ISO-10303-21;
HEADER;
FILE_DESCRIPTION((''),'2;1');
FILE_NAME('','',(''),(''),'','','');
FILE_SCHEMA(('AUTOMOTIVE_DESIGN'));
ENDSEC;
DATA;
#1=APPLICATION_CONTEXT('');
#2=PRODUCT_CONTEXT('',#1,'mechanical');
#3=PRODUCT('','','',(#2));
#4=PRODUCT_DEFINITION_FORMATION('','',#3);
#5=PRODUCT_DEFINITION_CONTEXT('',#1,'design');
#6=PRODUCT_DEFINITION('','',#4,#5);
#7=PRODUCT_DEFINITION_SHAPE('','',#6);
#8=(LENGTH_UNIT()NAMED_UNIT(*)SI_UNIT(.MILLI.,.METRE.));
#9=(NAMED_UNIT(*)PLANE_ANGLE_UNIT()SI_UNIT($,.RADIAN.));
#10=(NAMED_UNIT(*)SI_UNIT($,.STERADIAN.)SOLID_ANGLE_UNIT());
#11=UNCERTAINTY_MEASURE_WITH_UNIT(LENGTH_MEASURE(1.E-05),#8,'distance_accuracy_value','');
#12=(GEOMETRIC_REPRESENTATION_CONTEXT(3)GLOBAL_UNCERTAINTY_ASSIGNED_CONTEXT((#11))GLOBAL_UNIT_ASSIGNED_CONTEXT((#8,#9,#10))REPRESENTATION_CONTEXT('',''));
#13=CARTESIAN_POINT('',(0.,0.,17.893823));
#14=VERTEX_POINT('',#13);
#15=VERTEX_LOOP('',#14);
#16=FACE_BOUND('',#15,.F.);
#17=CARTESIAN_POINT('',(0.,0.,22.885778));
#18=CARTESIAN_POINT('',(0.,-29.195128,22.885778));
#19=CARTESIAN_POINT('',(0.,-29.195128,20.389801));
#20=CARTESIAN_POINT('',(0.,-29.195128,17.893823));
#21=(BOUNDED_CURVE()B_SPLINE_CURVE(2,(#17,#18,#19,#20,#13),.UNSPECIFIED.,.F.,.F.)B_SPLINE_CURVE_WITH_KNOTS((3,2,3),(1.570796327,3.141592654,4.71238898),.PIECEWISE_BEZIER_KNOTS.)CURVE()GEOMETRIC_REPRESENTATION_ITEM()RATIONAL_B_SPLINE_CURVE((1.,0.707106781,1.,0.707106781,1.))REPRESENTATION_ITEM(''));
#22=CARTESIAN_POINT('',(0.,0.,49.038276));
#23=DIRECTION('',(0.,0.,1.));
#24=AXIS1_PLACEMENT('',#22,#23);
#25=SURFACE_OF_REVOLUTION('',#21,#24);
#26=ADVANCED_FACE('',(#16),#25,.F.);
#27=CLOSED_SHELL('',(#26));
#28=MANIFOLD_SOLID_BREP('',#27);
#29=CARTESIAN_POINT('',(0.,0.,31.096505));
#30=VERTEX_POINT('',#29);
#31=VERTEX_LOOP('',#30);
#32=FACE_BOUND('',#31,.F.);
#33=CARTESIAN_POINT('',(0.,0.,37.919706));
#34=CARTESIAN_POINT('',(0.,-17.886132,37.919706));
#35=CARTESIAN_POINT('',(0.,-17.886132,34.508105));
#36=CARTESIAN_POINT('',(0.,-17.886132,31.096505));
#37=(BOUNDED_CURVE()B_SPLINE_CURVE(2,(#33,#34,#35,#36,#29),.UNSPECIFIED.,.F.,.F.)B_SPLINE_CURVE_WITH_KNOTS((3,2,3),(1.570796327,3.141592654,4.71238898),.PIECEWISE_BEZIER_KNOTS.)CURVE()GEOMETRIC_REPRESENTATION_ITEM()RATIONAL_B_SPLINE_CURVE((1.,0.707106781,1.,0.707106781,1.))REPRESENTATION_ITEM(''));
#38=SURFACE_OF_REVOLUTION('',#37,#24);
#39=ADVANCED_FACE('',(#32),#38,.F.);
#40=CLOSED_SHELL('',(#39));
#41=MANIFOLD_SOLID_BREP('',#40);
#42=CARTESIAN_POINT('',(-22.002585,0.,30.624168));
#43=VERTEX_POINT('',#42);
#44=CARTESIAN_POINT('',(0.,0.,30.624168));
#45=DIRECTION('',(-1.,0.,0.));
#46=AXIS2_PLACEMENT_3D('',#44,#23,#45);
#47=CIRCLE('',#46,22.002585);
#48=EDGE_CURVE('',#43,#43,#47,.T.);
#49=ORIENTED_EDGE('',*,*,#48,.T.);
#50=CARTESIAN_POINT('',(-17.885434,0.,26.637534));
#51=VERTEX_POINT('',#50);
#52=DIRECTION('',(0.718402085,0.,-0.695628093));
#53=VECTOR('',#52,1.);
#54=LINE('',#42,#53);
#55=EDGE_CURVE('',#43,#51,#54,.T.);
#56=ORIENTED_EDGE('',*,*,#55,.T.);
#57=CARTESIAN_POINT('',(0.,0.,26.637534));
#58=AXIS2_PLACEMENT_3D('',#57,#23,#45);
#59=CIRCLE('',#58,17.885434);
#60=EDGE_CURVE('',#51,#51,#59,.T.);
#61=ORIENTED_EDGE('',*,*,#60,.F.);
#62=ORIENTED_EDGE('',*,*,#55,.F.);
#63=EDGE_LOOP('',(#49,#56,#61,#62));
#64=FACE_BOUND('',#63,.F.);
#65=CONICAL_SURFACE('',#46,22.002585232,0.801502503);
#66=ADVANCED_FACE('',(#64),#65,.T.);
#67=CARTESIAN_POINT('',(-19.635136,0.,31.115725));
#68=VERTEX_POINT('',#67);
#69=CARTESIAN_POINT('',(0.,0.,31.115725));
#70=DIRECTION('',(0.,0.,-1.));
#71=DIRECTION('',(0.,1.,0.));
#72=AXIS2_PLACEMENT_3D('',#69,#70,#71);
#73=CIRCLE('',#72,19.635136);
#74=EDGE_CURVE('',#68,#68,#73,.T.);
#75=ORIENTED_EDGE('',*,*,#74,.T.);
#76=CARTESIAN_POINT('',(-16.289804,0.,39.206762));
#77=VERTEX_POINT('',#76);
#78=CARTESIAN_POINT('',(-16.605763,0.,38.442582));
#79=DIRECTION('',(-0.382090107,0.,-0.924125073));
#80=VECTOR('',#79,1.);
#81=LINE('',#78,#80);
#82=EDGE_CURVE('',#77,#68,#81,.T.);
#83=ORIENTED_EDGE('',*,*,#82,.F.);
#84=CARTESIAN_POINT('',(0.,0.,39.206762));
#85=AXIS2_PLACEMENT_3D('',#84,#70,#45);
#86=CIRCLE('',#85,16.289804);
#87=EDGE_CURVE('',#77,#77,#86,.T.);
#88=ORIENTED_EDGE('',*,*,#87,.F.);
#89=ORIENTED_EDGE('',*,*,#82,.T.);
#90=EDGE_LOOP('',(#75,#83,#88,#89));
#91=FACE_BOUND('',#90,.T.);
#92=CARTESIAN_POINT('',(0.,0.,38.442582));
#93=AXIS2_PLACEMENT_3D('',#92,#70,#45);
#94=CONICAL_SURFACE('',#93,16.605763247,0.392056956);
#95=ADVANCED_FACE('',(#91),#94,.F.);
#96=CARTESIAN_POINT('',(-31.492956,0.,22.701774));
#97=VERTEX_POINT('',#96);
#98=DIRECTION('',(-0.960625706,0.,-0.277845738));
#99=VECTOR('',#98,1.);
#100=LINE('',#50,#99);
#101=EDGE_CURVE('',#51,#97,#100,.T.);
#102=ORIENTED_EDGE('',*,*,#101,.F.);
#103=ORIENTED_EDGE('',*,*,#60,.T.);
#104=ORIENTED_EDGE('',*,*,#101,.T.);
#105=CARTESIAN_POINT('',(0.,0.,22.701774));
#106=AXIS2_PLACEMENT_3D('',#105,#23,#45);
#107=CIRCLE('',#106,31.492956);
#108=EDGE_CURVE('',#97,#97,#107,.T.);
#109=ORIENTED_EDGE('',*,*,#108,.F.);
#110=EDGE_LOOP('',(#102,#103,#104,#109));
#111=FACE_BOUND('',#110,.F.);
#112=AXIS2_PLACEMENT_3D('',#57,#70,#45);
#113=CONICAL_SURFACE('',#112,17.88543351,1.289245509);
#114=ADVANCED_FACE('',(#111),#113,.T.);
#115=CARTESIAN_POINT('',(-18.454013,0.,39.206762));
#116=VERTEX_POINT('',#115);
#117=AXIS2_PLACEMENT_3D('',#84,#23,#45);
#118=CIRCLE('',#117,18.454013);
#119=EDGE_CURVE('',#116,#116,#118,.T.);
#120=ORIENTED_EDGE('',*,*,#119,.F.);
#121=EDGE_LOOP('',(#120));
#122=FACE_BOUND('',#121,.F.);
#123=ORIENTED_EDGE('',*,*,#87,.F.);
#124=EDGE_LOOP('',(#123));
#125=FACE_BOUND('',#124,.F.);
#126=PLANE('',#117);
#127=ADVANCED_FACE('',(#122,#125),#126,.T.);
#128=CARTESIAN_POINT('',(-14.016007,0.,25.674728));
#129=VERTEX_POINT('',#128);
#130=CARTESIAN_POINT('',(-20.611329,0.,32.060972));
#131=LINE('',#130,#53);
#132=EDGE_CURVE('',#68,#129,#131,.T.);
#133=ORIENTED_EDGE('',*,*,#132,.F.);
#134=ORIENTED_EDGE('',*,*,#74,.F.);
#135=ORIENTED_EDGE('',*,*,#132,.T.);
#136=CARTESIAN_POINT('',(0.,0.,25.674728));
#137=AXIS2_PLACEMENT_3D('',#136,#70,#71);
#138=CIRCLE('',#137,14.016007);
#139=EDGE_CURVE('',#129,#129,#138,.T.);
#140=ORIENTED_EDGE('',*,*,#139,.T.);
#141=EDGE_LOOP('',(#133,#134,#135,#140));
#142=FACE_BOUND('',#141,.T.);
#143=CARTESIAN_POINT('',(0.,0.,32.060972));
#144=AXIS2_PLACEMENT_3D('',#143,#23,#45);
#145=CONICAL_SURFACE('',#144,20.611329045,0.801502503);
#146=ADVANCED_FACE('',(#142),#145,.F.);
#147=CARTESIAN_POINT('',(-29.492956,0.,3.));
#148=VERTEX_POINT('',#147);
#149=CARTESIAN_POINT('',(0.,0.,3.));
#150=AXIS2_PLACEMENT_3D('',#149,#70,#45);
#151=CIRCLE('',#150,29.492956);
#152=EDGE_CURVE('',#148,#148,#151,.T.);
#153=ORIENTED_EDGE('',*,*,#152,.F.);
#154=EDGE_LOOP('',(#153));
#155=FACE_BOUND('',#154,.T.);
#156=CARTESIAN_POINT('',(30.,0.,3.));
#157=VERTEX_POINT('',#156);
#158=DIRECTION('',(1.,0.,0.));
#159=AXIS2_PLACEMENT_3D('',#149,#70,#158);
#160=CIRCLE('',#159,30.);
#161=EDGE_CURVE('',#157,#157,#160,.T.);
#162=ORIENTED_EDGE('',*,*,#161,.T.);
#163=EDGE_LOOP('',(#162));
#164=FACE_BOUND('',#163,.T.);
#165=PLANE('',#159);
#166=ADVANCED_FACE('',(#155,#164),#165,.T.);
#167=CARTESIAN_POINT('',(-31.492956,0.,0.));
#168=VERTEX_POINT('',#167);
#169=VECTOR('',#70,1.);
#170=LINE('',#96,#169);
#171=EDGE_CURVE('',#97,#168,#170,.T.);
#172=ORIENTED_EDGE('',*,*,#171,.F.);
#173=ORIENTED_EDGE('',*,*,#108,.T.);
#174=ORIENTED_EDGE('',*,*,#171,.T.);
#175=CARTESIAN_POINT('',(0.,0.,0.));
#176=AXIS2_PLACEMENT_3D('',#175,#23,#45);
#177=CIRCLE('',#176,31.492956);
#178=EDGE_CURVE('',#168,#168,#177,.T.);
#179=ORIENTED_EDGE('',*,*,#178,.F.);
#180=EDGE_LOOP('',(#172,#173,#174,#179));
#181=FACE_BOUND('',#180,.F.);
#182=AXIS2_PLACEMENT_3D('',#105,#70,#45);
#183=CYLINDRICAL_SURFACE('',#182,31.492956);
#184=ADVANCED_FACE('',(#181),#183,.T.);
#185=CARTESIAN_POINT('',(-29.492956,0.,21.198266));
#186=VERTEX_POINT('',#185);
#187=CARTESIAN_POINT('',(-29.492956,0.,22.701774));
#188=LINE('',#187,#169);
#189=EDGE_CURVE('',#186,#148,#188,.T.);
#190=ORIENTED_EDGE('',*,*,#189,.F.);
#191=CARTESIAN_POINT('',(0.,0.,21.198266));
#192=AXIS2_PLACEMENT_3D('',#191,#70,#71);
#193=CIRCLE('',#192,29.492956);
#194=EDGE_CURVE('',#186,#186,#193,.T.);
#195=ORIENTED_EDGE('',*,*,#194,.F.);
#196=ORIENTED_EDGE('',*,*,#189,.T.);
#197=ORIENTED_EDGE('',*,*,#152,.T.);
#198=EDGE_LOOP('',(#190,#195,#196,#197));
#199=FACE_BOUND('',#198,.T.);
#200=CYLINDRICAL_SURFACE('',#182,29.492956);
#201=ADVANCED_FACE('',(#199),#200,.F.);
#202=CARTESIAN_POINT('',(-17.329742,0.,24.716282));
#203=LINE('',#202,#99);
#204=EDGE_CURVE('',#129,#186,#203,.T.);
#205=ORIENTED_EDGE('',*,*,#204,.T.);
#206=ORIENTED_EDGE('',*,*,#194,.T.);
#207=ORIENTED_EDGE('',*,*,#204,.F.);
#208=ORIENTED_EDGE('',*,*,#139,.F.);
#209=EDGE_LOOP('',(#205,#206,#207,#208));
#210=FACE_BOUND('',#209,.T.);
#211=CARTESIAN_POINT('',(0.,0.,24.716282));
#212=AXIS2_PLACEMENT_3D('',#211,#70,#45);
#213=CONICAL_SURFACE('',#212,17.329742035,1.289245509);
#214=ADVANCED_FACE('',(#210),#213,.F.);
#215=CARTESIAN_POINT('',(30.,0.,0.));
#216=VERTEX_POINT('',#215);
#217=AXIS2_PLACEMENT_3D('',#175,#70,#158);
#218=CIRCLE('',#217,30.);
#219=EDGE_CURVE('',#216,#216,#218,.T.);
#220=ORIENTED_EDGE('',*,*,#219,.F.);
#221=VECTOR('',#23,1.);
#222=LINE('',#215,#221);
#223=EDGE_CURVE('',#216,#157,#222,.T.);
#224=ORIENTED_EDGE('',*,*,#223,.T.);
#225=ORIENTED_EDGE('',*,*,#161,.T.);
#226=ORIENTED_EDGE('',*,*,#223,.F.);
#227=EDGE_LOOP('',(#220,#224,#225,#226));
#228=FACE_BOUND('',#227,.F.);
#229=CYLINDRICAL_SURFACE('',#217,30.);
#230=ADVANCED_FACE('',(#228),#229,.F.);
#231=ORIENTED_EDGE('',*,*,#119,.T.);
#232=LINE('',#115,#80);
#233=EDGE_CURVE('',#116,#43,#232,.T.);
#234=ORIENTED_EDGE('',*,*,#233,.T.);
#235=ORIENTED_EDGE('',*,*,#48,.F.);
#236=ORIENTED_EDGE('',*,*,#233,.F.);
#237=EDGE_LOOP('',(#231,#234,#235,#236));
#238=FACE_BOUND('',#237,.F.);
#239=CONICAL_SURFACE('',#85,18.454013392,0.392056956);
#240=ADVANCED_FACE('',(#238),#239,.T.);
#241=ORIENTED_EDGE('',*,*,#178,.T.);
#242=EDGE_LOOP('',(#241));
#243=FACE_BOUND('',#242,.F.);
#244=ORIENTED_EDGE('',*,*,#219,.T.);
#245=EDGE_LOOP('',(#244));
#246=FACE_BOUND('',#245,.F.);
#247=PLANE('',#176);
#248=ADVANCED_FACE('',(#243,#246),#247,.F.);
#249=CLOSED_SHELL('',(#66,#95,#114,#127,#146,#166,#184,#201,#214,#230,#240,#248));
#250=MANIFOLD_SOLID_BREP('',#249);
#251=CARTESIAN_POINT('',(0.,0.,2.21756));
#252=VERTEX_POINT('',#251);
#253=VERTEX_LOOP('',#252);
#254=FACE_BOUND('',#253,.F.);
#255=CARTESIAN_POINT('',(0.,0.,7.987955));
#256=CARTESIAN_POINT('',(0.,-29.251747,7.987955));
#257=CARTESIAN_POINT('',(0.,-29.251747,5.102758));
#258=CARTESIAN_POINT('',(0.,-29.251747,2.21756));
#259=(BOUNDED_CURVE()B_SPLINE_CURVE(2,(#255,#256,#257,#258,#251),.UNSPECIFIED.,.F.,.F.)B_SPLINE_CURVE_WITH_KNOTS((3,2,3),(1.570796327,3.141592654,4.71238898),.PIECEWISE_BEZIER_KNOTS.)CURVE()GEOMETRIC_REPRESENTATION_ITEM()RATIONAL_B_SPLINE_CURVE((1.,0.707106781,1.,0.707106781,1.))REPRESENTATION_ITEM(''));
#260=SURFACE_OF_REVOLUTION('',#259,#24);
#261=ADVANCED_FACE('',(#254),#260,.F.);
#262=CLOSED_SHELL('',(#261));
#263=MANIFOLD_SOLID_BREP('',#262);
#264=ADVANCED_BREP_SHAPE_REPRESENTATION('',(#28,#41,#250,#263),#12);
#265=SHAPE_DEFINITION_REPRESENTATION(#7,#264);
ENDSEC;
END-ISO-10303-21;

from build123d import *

# Parameters (mm, degrees)
F3_T     = -2
F4_R     = 30
F5_DEPTH = 3


with BuildPart() as f2:
    # F1 (on Front) → F2 (revolve)
    with BuildSketch(Plane.XZ):
        Polygon((-31.4929559827, 0), (0, 0), (0, 39.2067618668), (-18.4540133923, 39.2067618668), (-22.0025852323, 30.6241679937), (-17.8854335099, 26.6375336796), (-31.4929559827, 22.7017737925), align=None)
    revolve(axis=Axis((0, 0, 49.0382760763), (0, 0, 1)))

    # F3
    f3_openings = [f2.faces().sort_by_distance(p)[0] for p in [
        (0, 0, 39.206762),
    ]]
    offset(amount=F3_T, openings=f3_openings, kind=Kind.INTERSECTION)

    # F4 (on face) → F5 (cut)
    with BuildSketch(Plane(origin=(0, 0, 0), x_dir=(1, 0, 0), z_dir=(0, 0, -1))):
        Circle(F4_R)
    extrude(amount=-F5_DEPTH, mode=Mode.SUBTRACT)


with BuildPart() as f7:
    # F6 (on Right) → F7 (revolve)
    with BuildSketch(Plane.YZ):
        with BuildLine():
            Line((0, 31.0965048716), (0, 37.9197058633))
            add(Edge.make_bspline(
                [(0, 37.9197058633), (-17.8861320019, 37.9197058633), (-17.8861320019, 34.5081053674), (-17.8861320019, 31.0965048716), (0, 31.0965048716)],
                knots=[1.5707963268, 1.5707963268, 1.5707963268, 3.1415926536, 3.1415926536, 4.7123889804, 4.7123889804, 4.7123889804], degree=2, weights=[1, 0.7071067812, 1, 0.7071067812, 1]))
        make_face()
    revolve(axis=Axis((0, 0, 49.0382760763), (0, 0, 1)))


with BuildPart() as f7b:
    # F6 (on Right) → F7, piece 2 (revolve)
    with BuildSketch(Plane.YZ):
        with BuildLine():
            Line((0, 17.8938234626), (0, 22.8857783199))
            add(Edge.make_bspline(
                [(0, 22.8857783199), (-29.1951280087, 22.8857783199), (-29.1951280087, 20.3898008913), (-29.1951280087, 17.8938234626), (0, 17.8938234626)],
                knots=[1.5707963268, 1.5707963268, 1.5707963268, 3.1415926536, 3.1415926536, 4.7123889804, 4.7123889804, 4.7123889804], degree=2, weights=[1, 0.7071067812, 1, 0.7071067812, 1]))
        make_face()
    revolve(axis=Axis((0, 0, 49.0382760763), (0, 0, 1)))


with BuildPart() as f7c:
    # F6 (on Right) → F7, piece 3 (revolve)
    with BuildSketch(Plane.YZ):
        with BuildLine():
            Line((0, 2.2175601935), (0, 7.9879554668))
            add(Edge.make_bspline(
                [(0, 7.9879554668), (-29.2517468333, 7.9879554668), (-29.2517468333, 5.1027578302), (-29.2517468333, 2.2175601935), (0, 2.2175601935)],
                knots=[1.5707963268, 1.5707963268, 1.5707963268, 3.1415926536, 3.1415926536, 4.7123889804, 4.7123889804, 4.7123889804], degree=2, weights=[1, 0.7071067812, 1, 0.7071067812, 1]))
        make_face()
    revolve(axis=Axis((0, 0, 49.0382760763), (0, 0, 1)))


solid = Compound([f2.part, f7.part, f7b.part, f7c.part])
